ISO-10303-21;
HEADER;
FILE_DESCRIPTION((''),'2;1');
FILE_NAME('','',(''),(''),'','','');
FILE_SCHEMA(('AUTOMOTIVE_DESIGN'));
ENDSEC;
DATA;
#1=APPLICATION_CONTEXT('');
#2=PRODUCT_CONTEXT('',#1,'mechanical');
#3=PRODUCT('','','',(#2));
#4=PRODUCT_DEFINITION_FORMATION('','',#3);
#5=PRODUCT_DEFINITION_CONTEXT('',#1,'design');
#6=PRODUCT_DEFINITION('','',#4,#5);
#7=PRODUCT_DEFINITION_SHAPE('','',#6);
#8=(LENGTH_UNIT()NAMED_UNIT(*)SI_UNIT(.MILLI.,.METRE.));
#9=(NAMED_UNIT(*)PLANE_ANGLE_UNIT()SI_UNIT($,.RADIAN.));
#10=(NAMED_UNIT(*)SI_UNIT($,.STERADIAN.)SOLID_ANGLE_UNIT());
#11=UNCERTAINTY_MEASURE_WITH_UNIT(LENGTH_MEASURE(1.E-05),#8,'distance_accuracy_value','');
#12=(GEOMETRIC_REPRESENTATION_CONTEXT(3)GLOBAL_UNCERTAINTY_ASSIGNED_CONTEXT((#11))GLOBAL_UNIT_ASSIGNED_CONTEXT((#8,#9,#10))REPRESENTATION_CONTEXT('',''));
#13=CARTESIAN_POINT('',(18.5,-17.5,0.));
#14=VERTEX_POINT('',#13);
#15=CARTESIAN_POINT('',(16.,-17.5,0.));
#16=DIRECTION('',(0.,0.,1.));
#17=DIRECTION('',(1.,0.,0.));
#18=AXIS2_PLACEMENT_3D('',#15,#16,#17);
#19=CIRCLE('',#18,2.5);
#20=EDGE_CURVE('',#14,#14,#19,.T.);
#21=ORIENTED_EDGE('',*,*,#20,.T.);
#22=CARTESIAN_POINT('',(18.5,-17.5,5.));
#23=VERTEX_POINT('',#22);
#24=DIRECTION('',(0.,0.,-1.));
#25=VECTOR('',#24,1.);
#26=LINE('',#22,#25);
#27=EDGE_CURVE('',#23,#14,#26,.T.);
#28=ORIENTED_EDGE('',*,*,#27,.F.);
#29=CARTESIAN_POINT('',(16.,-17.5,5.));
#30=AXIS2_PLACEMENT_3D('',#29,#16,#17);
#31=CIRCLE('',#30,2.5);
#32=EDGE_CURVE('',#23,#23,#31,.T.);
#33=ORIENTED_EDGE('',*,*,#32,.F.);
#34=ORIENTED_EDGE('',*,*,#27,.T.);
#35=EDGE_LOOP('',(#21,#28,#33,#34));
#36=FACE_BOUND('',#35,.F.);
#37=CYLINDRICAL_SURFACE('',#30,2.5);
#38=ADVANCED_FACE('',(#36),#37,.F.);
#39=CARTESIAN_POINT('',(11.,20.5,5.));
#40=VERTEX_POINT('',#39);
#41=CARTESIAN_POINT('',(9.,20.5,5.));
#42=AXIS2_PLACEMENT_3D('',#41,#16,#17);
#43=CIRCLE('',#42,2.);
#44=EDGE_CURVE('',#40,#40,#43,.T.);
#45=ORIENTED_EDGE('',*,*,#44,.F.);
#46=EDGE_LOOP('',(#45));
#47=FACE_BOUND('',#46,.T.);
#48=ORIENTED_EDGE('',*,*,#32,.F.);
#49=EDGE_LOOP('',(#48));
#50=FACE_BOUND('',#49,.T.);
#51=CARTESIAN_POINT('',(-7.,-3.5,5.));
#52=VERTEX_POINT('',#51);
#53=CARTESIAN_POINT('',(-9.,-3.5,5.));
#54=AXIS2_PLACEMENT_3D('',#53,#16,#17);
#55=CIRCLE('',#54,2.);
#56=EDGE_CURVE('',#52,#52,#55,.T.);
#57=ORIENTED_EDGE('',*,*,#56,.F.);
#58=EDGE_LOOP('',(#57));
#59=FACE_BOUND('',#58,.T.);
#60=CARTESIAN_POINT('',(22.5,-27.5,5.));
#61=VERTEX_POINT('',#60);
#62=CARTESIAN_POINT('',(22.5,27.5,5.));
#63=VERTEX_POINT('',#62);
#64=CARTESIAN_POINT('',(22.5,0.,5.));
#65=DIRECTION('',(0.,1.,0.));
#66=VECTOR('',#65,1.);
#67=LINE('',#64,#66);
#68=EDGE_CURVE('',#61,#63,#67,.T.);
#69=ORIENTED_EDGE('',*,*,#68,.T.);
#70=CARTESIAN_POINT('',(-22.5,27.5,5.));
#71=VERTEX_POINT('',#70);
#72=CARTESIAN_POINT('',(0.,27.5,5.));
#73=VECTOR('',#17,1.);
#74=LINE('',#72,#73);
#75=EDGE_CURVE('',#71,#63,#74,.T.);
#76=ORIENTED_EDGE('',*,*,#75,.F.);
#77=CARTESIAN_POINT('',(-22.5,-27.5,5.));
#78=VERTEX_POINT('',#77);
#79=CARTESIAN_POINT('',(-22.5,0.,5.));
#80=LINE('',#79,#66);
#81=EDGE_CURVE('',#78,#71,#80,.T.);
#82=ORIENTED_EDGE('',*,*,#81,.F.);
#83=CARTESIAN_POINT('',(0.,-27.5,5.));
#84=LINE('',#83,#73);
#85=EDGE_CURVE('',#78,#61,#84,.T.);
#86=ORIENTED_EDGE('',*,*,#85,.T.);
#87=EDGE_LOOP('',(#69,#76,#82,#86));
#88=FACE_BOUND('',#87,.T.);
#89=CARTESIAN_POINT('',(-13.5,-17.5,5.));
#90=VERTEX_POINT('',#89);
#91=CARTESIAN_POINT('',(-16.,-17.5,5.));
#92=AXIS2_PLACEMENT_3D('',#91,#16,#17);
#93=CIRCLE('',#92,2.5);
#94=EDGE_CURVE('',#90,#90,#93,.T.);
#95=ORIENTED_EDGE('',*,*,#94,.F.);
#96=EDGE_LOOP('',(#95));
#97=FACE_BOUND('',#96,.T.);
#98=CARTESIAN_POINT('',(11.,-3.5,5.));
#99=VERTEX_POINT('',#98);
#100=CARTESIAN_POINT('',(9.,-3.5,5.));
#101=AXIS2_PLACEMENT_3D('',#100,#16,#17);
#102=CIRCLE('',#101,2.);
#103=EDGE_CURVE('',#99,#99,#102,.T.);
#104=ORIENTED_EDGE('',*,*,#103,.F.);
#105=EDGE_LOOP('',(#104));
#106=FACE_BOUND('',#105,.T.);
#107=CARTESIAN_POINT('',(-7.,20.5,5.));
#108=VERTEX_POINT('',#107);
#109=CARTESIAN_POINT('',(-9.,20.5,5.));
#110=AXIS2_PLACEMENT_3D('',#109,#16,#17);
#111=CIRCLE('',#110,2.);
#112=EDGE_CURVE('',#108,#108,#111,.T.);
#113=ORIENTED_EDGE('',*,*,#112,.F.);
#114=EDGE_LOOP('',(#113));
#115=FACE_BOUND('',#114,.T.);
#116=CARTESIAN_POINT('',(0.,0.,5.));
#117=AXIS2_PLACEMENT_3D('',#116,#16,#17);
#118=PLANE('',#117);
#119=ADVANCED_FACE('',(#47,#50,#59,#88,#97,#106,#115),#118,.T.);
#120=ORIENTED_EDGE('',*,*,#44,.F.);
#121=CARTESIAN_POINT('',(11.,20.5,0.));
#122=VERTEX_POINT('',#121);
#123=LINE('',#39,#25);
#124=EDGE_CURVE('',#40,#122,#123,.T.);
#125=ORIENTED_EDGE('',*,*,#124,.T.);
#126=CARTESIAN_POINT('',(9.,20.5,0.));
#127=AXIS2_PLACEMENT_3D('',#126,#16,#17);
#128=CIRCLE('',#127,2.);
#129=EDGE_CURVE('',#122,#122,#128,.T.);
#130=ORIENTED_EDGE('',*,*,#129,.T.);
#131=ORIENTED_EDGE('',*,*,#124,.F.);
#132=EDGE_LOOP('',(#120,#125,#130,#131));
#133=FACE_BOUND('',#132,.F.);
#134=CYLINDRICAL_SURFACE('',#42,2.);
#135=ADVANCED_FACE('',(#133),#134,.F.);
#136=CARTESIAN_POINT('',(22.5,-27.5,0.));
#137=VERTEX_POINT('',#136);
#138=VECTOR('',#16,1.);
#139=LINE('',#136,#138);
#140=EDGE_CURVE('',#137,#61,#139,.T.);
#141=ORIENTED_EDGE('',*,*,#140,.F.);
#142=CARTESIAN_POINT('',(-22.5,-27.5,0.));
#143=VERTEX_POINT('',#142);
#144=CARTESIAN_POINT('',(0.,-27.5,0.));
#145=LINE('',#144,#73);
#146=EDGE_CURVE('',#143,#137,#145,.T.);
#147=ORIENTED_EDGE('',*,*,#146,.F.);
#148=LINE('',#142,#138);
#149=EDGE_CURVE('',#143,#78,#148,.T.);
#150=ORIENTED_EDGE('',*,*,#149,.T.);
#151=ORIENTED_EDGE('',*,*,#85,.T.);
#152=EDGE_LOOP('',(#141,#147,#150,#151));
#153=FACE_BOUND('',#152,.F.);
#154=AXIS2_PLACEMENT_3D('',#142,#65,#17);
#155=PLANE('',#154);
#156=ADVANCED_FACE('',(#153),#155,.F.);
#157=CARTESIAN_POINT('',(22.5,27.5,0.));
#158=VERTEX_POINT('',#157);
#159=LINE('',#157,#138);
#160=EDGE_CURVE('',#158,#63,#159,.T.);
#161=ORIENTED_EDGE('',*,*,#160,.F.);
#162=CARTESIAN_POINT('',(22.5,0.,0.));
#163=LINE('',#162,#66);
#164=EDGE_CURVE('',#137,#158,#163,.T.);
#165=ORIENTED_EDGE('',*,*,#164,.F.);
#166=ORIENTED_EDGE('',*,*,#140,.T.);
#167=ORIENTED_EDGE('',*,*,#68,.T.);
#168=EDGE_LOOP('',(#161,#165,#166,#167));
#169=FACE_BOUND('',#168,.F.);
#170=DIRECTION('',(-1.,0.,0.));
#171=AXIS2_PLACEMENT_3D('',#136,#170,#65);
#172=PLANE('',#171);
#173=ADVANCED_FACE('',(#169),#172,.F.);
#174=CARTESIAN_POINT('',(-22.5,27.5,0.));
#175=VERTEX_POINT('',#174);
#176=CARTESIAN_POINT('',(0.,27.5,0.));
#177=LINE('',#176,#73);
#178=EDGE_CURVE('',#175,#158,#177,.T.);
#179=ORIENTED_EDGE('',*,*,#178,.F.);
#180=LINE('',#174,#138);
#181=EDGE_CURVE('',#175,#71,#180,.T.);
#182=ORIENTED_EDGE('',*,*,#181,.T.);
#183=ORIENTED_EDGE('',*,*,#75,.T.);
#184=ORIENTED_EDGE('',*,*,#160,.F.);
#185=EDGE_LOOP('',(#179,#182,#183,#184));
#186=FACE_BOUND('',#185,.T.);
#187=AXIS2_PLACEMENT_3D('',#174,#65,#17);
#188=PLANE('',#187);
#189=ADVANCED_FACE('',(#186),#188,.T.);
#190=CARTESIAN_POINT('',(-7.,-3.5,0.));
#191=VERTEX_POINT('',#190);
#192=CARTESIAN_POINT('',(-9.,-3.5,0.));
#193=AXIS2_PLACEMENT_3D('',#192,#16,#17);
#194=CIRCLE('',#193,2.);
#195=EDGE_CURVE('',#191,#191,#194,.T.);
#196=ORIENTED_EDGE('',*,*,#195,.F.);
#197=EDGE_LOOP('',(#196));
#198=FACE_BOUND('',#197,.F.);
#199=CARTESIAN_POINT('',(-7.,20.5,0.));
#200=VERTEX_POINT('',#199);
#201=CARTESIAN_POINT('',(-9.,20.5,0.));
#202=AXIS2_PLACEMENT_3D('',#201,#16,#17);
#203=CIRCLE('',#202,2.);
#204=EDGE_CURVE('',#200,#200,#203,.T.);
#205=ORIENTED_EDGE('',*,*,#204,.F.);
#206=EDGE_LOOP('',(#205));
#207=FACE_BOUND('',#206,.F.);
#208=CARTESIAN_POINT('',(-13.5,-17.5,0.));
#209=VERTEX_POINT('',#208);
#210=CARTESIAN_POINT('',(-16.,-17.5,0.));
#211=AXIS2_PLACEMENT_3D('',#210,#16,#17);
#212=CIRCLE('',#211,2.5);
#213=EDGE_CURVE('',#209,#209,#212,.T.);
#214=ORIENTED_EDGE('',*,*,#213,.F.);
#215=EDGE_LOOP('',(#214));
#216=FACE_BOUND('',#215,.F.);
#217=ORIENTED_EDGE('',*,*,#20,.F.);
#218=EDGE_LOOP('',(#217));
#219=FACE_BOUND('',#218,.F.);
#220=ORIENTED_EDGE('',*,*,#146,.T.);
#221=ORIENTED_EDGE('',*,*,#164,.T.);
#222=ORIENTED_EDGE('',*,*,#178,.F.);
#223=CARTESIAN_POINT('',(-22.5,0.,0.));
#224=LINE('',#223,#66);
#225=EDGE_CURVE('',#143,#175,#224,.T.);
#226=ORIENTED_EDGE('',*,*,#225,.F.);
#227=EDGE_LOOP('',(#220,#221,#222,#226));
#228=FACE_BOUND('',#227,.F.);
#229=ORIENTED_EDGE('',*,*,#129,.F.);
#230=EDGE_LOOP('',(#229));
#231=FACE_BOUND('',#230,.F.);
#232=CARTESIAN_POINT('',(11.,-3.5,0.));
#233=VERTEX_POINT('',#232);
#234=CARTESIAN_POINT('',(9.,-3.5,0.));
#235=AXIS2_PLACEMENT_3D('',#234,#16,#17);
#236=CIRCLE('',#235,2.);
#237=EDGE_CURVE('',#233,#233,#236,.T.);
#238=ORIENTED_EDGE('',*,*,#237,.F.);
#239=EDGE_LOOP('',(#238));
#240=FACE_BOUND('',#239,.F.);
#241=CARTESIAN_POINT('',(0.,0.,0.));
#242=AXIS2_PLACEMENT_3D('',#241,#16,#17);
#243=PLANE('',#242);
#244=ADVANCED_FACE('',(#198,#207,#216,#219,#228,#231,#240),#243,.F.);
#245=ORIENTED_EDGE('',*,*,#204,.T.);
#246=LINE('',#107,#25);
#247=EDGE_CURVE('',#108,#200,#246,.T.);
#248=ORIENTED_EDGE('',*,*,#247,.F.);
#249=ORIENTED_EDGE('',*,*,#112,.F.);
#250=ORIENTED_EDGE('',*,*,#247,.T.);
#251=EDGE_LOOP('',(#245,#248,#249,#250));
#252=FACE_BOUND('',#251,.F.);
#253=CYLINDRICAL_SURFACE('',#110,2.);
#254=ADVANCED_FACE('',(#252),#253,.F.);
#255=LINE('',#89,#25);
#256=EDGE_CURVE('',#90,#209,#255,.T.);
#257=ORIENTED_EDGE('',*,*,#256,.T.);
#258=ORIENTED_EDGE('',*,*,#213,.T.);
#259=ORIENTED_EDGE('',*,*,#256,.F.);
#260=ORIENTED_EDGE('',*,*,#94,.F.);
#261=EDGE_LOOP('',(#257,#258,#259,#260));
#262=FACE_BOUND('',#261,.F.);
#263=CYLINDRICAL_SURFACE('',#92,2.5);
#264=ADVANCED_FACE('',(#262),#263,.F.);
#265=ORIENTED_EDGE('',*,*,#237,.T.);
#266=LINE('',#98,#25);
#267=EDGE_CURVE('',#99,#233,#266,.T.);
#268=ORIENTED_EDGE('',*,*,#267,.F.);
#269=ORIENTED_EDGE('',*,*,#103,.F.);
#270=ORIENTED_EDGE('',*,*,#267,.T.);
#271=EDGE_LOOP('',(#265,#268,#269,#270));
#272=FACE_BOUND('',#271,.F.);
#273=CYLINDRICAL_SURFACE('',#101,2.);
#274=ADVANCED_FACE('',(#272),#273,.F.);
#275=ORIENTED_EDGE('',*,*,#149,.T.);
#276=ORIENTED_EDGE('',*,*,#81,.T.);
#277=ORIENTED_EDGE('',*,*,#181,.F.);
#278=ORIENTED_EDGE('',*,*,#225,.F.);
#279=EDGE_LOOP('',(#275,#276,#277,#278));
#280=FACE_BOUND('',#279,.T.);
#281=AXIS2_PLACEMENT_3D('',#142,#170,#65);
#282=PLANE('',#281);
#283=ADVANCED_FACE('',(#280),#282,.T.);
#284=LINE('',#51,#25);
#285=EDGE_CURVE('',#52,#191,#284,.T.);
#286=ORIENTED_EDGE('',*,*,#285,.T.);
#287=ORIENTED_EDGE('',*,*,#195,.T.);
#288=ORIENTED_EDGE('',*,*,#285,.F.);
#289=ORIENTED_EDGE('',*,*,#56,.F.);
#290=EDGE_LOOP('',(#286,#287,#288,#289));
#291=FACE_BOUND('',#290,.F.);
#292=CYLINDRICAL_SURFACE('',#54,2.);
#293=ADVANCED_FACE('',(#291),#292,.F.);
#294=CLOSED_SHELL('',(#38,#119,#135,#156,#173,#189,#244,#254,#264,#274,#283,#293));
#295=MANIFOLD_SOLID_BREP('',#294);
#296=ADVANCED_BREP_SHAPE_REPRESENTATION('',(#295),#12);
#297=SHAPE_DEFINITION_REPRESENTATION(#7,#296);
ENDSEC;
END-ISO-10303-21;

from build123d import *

# Parameters (mm, degrees)
F0_W     = 45
F0_H     = 55
F1_DEPTH = 5
F2_R     = 2
F2_R_2   = 2.5
F3_DEPTH = 5.001


with BuildPart() as f1:
    # F0 (on Top) → F1 (new body)
    with BuildSketch(Plane.XY):
        Rectangle(F0_W, F0_H)
    extrude(amount=F1_DEPTH)

    # F2 (on face) → F3 (cut, through all)
    with BuildSketch(Plane.XY.offset(5)):
        with Locations((-9, 20.5)):
            Circle(F2_R)
        with Locations((9, 20.5)):
            Circle(F2_R)
        with Locations((-9, -3.5)):
            Circle(F2_R)
        with Locations((-16, -17.5)):
            Circle(F2_R_2)
        with Locations((9, -3.5)):
            Circle(F2_R)
        with Locations((16, -17.5)):
            Circle(F2_R_2)
    extrude(amount=-F3_DEPTH, mode=Mode.SUBTRACT)


solid = f1.part
